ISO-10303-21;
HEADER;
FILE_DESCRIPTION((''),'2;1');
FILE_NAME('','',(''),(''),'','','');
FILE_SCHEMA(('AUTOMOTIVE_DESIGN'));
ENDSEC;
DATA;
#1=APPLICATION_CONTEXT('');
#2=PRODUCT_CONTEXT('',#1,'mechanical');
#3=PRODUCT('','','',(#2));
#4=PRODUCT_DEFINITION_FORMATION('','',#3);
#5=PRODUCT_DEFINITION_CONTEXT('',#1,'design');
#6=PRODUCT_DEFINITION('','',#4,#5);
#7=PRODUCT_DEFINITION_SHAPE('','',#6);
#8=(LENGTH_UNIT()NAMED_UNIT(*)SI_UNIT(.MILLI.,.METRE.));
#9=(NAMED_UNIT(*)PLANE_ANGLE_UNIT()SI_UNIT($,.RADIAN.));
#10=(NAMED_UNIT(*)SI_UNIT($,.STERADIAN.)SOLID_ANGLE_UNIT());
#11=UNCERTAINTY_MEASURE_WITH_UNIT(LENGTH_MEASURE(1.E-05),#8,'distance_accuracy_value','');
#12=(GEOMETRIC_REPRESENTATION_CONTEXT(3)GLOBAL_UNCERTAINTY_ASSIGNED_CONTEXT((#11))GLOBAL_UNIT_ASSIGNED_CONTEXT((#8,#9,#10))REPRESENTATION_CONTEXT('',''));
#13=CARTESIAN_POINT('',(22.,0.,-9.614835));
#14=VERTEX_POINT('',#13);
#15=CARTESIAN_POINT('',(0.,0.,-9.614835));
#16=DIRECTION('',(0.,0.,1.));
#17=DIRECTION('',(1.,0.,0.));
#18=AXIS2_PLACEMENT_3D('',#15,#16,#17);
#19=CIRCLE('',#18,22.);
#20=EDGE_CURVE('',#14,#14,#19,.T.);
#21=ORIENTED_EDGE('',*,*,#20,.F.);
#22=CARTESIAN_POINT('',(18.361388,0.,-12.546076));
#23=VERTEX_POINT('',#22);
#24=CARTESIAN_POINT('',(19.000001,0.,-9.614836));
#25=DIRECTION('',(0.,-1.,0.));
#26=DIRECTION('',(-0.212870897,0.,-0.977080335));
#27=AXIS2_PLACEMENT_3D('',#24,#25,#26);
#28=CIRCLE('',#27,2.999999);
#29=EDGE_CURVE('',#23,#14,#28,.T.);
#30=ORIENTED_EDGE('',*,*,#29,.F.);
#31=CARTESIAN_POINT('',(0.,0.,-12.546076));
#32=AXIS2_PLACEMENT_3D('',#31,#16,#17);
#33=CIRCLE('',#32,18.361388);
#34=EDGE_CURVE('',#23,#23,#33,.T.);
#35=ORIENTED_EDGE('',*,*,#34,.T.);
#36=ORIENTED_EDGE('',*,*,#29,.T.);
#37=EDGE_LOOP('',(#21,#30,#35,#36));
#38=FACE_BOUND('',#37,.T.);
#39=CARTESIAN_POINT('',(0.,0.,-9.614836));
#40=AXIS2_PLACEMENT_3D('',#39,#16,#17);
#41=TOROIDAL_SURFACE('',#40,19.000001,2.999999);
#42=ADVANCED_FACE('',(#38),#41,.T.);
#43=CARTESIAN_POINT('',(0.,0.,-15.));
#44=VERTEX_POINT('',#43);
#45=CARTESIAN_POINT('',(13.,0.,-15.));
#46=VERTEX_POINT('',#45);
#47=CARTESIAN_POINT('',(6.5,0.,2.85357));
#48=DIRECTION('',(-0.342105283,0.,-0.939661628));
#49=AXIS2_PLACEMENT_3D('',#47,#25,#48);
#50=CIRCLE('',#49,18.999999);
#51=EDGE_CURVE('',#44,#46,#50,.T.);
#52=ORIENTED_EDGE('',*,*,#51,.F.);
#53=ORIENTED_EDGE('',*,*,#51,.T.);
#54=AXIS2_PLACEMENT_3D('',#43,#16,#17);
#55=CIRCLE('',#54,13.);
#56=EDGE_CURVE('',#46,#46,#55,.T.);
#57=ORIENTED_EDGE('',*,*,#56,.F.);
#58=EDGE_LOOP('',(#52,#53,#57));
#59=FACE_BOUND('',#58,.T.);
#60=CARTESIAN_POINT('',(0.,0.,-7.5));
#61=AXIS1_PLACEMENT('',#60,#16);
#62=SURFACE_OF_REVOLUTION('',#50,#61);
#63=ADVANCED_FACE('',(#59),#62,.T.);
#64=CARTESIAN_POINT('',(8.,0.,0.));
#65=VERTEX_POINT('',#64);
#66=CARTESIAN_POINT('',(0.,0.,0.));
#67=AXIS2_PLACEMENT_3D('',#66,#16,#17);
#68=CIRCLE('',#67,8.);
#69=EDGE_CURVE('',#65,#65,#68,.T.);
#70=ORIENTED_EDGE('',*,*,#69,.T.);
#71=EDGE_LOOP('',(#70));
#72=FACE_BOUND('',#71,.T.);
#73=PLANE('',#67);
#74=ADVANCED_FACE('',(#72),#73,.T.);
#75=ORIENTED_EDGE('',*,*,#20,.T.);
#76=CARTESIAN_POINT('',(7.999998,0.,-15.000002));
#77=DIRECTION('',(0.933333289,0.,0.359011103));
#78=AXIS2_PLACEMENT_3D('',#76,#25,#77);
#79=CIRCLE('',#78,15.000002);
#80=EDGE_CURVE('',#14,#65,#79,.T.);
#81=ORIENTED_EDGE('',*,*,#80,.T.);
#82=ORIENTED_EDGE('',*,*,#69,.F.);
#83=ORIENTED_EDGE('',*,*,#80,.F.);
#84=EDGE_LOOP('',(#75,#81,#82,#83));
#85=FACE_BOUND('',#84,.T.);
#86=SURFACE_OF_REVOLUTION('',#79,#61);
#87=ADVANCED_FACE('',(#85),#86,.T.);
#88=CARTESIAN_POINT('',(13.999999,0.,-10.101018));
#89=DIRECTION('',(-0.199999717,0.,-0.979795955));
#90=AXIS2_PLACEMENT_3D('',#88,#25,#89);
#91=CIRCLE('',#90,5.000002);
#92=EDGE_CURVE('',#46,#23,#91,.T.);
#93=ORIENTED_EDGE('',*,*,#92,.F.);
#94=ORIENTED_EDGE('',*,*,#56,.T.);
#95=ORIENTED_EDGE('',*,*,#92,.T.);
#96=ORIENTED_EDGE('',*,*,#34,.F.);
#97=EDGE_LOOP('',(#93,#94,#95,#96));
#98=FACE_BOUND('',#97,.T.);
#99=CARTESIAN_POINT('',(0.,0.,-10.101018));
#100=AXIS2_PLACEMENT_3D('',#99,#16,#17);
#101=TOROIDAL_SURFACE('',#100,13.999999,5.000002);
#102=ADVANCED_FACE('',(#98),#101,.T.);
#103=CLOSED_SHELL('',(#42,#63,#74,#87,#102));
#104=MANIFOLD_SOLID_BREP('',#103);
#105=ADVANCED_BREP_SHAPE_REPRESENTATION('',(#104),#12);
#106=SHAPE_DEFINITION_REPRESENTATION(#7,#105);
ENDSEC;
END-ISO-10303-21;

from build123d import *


with BuildPart() as f1:
    # F0 (on Front) → F1 (revolve)
    with BuildSketch(Plane.XZ):
        with BuildLine():
            Line((8, 0), (0, 0))
            Line((0, 0), (0, -15))
            Line((0, -15), (13, -15))
            ThreePointArc((13, -15), (16.080905, -14.647429), (18.361388, -12.546076))
            ThreePointArc((18.361388, -12.546076), (20.882042, -11.951054), (22, -9.614835))
            ThreePointArc((22, -9.614835), (16.491835, -2.635182), (8, 0))
        make_face()
        with BuildLine():
            Line((13, -15), (0, -15))
            ThreePointArc((0, -15), (6.5, -16.146429), (13, -15))
        make_face()
    revolve(axis=Axis((0, 0, -7.5), (0, 0, 1)))


solid = f1.part
